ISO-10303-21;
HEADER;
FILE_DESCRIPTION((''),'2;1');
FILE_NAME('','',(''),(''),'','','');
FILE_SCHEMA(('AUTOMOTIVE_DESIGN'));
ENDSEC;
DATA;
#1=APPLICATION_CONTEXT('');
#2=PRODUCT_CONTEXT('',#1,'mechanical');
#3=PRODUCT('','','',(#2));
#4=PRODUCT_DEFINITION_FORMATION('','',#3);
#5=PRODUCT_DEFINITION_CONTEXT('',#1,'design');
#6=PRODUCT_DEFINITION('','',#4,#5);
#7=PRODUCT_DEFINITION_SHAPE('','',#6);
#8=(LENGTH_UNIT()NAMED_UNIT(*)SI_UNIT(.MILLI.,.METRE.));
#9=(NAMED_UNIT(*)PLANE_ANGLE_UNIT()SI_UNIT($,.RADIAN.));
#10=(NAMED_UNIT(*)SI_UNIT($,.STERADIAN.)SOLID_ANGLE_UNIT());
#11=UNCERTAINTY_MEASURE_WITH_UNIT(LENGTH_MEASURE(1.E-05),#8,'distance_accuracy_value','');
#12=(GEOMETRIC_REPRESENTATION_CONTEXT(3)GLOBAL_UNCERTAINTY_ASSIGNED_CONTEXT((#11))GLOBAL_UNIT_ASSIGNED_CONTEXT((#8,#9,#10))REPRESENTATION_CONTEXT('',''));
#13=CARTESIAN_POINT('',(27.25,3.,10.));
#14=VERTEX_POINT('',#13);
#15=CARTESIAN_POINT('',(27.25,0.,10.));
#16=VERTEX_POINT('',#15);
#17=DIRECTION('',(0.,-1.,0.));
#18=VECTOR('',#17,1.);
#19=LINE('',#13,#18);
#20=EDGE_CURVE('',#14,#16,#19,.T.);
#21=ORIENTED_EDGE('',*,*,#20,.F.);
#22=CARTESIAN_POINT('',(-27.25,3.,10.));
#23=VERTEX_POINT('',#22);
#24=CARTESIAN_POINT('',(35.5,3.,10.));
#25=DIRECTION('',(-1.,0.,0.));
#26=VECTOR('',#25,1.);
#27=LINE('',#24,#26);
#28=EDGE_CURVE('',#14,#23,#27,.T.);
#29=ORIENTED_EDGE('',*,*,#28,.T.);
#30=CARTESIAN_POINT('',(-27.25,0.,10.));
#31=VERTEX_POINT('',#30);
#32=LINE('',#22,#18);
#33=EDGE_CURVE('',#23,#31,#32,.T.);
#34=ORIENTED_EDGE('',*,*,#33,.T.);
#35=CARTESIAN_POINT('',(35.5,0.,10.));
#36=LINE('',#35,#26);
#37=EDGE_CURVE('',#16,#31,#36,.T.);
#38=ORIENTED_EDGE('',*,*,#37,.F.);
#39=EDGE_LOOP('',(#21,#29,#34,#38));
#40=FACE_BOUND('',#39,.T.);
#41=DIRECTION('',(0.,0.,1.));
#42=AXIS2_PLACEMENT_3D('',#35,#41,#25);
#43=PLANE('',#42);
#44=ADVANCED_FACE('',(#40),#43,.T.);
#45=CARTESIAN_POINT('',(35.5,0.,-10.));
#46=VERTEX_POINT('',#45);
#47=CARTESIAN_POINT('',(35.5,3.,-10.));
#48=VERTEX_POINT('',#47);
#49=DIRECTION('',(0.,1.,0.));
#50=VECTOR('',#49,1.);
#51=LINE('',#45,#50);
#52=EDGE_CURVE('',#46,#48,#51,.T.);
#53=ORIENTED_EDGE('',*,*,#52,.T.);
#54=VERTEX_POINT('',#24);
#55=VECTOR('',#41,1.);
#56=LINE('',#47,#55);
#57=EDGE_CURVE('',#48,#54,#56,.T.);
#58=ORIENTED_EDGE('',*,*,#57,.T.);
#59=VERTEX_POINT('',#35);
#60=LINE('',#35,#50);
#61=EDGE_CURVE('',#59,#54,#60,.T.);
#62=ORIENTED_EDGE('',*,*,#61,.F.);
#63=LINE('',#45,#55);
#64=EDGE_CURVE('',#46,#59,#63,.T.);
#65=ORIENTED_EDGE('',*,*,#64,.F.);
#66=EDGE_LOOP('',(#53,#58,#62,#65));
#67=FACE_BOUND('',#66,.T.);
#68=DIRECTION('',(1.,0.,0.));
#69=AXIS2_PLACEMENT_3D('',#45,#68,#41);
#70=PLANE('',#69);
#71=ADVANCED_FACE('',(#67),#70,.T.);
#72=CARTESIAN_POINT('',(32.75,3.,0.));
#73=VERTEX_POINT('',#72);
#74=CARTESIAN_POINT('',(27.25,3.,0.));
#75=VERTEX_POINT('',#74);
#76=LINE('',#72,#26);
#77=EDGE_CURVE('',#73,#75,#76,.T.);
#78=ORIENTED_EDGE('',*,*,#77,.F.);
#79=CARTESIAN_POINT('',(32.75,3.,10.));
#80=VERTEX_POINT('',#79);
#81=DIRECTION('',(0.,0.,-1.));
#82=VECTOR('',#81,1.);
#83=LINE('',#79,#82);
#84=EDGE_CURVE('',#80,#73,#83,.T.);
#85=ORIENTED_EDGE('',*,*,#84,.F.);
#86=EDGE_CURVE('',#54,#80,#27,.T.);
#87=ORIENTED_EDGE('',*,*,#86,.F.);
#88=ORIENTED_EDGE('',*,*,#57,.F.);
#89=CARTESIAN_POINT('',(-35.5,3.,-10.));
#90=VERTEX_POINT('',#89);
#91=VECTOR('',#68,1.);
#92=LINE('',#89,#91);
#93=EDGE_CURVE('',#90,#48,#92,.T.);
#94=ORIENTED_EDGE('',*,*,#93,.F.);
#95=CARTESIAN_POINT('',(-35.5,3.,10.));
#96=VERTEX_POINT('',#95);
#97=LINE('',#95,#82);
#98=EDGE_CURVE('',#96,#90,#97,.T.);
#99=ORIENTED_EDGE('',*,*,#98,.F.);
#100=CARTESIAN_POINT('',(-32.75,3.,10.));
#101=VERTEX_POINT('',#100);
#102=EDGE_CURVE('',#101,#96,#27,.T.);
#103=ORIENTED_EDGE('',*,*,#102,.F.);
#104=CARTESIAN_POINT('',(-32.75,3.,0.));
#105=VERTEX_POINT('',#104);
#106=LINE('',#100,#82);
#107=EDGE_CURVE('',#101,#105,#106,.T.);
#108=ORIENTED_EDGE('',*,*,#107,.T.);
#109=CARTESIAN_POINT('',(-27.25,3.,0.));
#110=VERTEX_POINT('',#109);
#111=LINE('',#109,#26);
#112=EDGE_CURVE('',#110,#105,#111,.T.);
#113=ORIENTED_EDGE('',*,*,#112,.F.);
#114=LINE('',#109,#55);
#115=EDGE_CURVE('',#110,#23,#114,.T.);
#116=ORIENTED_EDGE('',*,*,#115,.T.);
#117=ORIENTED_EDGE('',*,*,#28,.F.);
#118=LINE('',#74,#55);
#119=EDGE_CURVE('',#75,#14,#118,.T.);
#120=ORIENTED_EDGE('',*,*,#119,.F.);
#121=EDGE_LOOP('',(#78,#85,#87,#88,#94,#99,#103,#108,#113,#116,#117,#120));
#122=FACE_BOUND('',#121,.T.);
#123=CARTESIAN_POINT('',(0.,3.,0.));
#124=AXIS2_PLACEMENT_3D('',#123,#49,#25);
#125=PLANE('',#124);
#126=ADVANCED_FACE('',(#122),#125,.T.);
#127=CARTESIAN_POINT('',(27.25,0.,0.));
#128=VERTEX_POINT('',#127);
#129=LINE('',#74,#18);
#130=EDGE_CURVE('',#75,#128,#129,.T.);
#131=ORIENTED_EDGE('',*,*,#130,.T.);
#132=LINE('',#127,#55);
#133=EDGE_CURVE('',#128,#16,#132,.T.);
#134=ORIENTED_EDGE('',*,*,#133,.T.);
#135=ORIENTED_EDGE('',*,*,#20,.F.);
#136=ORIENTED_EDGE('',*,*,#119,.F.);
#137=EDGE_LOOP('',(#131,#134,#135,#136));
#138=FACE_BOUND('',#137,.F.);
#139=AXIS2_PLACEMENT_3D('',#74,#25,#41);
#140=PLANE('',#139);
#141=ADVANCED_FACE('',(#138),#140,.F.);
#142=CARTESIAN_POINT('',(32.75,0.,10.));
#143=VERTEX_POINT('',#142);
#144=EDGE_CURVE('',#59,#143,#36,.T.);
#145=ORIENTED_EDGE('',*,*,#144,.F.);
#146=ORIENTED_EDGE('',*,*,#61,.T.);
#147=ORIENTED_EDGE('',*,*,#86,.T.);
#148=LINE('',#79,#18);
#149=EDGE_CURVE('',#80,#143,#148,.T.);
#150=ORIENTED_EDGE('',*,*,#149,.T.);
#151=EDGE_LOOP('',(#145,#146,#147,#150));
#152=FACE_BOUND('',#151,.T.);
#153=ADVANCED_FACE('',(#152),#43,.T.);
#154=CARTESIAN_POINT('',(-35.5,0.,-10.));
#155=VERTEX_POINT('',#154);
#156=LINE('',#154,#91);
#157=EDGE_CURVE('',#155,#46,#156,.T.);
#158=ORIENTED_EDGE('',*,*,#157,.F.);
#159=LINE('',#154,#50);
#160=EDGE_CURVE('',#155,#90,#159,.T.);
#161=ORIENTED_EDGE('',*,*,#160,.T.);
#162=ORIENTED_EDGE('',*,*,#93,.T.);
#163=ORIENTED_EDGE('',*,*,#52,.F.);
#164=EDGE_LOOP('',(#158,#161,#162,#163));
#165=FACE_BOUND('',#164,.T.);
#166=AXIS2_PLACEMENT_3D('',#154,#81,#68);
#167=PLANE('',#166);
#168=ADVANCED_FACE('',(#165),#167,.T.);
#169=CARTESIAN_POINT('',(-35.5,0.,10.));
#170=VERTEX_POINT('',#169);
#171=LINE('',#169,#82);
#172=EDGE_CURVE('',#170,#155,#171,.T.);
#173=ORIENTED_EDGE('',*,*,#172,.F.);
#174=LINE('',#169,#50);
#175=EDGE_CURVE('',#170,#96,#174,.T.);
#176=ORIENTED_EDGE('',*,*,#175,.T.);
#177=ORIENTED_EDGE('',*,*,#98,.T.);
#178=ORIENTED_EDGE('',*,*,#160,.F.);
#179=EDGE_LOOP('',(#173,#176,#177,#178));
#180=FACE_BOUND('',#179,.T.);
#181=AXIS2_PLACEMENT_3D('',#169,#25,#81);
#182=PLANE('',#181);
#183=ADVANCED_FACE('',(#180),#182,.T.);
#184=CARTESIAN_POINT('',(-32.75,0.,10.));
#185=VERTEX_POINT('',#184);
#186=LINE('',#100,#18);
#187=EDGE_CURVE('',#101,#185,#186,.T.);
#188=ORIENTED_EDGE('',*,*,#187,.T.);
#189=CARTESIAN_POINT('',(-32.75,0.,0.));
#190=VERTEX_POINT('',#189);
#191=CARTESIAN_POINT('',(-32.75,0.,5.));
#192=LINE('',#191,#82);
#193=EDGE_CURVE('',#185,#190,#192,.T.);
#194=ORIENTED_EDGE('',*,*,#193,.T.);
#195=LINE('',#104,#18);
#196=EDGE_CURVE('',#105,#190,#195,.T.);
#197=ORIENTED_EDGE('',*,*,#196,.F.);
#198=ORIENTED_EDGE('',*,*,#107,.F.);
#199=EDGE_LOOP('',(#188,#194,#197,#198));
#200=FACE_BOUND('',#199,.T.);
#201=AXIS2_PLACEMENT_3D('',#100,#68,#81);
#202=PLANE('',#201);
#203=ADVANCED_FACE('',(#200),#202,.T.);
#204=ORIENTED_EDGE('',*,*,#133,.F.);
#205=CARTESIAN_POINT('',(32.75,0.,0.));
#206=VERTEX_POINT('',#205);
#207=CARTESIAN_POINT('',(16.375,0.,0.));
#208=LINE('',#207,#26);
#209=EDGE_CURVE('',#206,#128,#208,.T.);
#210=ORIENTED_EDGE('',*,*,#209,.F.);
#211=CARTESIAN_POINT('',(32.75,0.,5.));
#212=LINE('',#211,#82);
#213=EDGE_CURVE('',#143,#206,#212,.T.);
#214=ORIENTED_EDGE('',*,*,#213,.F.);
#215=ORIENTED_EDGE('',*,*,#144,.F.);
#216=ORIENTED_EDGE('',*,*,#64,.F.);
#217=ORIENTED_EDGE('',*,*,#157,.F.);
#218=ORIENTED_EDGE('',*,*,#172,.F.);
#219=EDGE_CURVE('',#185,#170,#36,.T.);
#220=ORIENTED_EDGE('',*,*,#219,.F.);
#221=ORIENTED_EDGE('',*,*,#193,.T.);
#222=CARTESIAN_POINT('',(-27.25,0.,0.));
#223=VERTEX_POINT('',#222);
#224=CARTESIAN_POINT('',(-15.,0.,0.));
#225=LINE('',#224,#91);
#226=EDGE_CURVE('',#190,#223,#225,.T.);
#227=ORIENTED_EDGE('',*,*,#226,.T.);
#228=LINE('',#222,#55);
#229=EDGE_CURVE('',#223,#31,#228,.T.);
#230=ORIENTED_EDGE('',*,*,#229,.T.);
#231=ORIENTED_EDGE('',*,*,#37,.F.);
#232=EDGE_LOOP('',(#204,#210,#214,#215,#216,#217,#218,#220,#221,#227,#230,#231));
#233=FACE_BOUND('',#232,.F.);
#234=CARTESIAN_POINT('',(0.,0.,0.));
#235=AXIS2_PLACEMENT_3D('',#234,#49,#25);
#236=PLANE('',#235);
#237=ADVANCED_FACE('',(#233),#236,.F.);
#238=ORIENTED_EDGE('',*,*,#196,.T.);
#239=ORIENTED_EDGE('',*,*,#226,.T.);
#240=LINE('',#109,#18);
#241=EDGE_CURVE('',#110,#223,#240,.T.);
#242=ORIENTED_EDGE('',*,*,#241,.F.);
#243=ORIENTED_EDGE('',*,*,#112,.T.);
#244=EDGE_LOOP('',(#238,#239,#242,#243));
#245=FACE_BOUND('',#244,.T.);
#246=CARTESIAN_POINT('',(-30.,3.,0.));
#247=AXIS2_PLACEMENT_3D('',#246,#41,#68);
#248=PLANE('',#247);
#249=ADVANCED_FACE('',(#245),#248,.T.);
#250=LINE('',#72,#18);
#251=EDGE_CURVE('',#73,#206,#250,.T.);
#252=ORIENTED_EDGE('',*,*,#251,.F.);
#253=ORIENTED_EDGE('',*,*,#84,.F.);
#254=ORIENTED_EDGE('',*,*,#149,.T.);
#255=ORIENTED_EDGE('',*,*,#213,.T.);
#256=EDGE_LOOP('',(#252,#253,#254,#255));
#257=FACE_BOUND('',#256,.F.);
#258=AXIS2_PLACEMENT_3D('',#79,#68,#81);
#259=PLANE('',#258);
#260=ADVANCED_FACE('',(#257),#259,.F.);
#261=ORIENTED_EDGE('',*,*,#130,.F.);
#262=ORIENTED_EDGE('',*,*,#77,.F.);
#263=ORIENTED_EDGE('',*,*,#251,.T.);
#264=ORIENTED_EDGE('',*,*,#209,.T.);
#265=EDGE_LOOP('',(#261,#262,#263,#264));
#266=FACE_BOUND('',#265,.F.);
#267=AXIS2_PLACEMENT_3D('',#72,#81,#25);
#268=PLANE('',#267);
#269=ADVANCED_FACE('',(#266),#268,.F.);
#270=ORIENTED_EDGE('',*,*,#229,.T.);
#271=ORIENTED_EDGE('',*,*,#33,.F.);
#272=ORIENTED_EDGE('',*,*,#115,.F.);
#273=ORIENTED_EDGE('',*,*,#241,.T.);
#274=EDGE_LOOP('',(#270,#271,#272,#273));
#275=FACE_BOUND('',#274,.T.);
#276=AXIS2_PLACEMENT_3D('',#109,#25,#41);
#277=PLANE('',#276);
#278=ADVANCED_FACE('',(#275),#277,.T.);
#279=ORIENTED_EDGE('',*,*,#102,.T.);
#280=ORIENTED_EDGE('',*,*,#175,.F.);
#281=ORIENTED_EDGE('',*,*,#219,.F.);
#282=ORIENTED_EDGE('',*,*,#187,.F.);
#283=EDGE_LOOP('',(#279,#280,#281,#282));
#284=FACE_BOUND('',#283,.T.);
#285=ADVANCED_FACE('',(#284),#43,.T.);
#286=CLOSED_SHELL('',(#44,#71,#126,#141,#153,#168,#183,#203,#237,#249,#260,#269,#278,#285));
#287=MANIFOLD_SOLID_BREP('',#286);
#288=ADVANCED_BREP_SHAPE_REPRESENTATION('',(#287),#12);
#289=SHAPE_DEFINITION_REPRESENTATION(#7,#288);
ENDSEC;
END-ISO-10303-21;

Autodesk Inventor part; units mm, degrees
ref_plane "YZ Plane" through (0, 0, 0) normal (1, 0, 0) x (0, 1, 0)
ref_plane "XZ Plane" through (0, 0, 0) normal (0, 1, 0) x (-1, 0, 0)
ref_plane "XY Plane" through (0, 0, 0) normal (0, 0, 1) x (1, 0, 0)
sketch "Sketch1" plane through (0, 0, 0) normal (0, 1, 0) x (-1, 0, 0)
  line L0 (35.5, -10) -> (-35.5, -10)
  line L1 (-35.5, -10) -> (-35.5, 10)
  line L2 (-35.5, 10) -> (35.5, 10)
  line L3 (35.5, 10) -> (35.5, -10)
  line L4 (35.5, -10) -> (-35.5, 10) construction
  line L5 (-35.5, -10) -> (35.5, 10) construction
  point P0 (0, 0)
  dimension "d0" = 71
  dimension "d5" = 20
extrude "Extrusion1" add sketch "Sketch1" along normal blind 3
sketch "Sketch3" plane through (0, 3, 0) normal (0, 1, 0) x (1, 0, 0)
  line L0 (-35.5, -10) -> (35.5, -10) projected
  line L1 (0, 15.4425) -> (0, -22.6547) projected
  line L2 (-27.25, -10) -> (-32.75, -10)
  line L3 (-32.75, -10) -> (-32.75, 0)
  line L4 (-32.75, 0) -> (-27.25, 0)
  line L5 (-27.25, 0) -> (-27.25, -10)
  line L6 (-30, 4.2814) -> (-30, -12.2123)
  line L7 (27.25, -10) -> (32.75, -10)
  line L8 (32.75, -10) -> (32.75, 0)
  line L9 (32.75, 0) -> (27.25, 0)
  line L10 (27.25, 0) -> (27.25, -10)
  point P0 (0, 0)
  dimension "d6" = 5.5
  dimension "d7" = 10
  dimension "d8" = 30
extrude "Extrusion2" cut sketch "Sketch3" against normal through all
sketch "Sketch4" plane through (0, 3, 0) normal (0, 1, 0) x (1, 0, 0)
  line L0 (-27.25, 0) -> (-27.25, -10) projected
  line L1 (-27.25, -10) -> (27.25, -10) projected
  line L2 (27.25, -10) -> (27.25, 0) projected
  line L3 (27.25, 0) -> (32.75, 0) projected
  line L4 (32.75, 0) -> (32.75, -10) projected
  line L5 (32.75, -10) -> (35.5, -10) projected
  line L6 (35.5, -10) -> (35.5, 10) projected
  line L7 (35.5, 10) -> (-35.5, 10) projected
  line L8 (-35.5, 10) -> (-35.5, -10) projected
  line L9 (-35.5, -10) -> (-32.75, -10) projected
  line L10 (-32.75, -10) -> (-32.75, 0) projected
  line L11 (-32.75, 0) -> (-27.25, 0) projected
  point P0 (0, 0)
equation "\"d6\" = Wt"
equation "\"Wt\" = 5.5"
properties part number "ex_holder_stopper" material "Wood (Birch)"
